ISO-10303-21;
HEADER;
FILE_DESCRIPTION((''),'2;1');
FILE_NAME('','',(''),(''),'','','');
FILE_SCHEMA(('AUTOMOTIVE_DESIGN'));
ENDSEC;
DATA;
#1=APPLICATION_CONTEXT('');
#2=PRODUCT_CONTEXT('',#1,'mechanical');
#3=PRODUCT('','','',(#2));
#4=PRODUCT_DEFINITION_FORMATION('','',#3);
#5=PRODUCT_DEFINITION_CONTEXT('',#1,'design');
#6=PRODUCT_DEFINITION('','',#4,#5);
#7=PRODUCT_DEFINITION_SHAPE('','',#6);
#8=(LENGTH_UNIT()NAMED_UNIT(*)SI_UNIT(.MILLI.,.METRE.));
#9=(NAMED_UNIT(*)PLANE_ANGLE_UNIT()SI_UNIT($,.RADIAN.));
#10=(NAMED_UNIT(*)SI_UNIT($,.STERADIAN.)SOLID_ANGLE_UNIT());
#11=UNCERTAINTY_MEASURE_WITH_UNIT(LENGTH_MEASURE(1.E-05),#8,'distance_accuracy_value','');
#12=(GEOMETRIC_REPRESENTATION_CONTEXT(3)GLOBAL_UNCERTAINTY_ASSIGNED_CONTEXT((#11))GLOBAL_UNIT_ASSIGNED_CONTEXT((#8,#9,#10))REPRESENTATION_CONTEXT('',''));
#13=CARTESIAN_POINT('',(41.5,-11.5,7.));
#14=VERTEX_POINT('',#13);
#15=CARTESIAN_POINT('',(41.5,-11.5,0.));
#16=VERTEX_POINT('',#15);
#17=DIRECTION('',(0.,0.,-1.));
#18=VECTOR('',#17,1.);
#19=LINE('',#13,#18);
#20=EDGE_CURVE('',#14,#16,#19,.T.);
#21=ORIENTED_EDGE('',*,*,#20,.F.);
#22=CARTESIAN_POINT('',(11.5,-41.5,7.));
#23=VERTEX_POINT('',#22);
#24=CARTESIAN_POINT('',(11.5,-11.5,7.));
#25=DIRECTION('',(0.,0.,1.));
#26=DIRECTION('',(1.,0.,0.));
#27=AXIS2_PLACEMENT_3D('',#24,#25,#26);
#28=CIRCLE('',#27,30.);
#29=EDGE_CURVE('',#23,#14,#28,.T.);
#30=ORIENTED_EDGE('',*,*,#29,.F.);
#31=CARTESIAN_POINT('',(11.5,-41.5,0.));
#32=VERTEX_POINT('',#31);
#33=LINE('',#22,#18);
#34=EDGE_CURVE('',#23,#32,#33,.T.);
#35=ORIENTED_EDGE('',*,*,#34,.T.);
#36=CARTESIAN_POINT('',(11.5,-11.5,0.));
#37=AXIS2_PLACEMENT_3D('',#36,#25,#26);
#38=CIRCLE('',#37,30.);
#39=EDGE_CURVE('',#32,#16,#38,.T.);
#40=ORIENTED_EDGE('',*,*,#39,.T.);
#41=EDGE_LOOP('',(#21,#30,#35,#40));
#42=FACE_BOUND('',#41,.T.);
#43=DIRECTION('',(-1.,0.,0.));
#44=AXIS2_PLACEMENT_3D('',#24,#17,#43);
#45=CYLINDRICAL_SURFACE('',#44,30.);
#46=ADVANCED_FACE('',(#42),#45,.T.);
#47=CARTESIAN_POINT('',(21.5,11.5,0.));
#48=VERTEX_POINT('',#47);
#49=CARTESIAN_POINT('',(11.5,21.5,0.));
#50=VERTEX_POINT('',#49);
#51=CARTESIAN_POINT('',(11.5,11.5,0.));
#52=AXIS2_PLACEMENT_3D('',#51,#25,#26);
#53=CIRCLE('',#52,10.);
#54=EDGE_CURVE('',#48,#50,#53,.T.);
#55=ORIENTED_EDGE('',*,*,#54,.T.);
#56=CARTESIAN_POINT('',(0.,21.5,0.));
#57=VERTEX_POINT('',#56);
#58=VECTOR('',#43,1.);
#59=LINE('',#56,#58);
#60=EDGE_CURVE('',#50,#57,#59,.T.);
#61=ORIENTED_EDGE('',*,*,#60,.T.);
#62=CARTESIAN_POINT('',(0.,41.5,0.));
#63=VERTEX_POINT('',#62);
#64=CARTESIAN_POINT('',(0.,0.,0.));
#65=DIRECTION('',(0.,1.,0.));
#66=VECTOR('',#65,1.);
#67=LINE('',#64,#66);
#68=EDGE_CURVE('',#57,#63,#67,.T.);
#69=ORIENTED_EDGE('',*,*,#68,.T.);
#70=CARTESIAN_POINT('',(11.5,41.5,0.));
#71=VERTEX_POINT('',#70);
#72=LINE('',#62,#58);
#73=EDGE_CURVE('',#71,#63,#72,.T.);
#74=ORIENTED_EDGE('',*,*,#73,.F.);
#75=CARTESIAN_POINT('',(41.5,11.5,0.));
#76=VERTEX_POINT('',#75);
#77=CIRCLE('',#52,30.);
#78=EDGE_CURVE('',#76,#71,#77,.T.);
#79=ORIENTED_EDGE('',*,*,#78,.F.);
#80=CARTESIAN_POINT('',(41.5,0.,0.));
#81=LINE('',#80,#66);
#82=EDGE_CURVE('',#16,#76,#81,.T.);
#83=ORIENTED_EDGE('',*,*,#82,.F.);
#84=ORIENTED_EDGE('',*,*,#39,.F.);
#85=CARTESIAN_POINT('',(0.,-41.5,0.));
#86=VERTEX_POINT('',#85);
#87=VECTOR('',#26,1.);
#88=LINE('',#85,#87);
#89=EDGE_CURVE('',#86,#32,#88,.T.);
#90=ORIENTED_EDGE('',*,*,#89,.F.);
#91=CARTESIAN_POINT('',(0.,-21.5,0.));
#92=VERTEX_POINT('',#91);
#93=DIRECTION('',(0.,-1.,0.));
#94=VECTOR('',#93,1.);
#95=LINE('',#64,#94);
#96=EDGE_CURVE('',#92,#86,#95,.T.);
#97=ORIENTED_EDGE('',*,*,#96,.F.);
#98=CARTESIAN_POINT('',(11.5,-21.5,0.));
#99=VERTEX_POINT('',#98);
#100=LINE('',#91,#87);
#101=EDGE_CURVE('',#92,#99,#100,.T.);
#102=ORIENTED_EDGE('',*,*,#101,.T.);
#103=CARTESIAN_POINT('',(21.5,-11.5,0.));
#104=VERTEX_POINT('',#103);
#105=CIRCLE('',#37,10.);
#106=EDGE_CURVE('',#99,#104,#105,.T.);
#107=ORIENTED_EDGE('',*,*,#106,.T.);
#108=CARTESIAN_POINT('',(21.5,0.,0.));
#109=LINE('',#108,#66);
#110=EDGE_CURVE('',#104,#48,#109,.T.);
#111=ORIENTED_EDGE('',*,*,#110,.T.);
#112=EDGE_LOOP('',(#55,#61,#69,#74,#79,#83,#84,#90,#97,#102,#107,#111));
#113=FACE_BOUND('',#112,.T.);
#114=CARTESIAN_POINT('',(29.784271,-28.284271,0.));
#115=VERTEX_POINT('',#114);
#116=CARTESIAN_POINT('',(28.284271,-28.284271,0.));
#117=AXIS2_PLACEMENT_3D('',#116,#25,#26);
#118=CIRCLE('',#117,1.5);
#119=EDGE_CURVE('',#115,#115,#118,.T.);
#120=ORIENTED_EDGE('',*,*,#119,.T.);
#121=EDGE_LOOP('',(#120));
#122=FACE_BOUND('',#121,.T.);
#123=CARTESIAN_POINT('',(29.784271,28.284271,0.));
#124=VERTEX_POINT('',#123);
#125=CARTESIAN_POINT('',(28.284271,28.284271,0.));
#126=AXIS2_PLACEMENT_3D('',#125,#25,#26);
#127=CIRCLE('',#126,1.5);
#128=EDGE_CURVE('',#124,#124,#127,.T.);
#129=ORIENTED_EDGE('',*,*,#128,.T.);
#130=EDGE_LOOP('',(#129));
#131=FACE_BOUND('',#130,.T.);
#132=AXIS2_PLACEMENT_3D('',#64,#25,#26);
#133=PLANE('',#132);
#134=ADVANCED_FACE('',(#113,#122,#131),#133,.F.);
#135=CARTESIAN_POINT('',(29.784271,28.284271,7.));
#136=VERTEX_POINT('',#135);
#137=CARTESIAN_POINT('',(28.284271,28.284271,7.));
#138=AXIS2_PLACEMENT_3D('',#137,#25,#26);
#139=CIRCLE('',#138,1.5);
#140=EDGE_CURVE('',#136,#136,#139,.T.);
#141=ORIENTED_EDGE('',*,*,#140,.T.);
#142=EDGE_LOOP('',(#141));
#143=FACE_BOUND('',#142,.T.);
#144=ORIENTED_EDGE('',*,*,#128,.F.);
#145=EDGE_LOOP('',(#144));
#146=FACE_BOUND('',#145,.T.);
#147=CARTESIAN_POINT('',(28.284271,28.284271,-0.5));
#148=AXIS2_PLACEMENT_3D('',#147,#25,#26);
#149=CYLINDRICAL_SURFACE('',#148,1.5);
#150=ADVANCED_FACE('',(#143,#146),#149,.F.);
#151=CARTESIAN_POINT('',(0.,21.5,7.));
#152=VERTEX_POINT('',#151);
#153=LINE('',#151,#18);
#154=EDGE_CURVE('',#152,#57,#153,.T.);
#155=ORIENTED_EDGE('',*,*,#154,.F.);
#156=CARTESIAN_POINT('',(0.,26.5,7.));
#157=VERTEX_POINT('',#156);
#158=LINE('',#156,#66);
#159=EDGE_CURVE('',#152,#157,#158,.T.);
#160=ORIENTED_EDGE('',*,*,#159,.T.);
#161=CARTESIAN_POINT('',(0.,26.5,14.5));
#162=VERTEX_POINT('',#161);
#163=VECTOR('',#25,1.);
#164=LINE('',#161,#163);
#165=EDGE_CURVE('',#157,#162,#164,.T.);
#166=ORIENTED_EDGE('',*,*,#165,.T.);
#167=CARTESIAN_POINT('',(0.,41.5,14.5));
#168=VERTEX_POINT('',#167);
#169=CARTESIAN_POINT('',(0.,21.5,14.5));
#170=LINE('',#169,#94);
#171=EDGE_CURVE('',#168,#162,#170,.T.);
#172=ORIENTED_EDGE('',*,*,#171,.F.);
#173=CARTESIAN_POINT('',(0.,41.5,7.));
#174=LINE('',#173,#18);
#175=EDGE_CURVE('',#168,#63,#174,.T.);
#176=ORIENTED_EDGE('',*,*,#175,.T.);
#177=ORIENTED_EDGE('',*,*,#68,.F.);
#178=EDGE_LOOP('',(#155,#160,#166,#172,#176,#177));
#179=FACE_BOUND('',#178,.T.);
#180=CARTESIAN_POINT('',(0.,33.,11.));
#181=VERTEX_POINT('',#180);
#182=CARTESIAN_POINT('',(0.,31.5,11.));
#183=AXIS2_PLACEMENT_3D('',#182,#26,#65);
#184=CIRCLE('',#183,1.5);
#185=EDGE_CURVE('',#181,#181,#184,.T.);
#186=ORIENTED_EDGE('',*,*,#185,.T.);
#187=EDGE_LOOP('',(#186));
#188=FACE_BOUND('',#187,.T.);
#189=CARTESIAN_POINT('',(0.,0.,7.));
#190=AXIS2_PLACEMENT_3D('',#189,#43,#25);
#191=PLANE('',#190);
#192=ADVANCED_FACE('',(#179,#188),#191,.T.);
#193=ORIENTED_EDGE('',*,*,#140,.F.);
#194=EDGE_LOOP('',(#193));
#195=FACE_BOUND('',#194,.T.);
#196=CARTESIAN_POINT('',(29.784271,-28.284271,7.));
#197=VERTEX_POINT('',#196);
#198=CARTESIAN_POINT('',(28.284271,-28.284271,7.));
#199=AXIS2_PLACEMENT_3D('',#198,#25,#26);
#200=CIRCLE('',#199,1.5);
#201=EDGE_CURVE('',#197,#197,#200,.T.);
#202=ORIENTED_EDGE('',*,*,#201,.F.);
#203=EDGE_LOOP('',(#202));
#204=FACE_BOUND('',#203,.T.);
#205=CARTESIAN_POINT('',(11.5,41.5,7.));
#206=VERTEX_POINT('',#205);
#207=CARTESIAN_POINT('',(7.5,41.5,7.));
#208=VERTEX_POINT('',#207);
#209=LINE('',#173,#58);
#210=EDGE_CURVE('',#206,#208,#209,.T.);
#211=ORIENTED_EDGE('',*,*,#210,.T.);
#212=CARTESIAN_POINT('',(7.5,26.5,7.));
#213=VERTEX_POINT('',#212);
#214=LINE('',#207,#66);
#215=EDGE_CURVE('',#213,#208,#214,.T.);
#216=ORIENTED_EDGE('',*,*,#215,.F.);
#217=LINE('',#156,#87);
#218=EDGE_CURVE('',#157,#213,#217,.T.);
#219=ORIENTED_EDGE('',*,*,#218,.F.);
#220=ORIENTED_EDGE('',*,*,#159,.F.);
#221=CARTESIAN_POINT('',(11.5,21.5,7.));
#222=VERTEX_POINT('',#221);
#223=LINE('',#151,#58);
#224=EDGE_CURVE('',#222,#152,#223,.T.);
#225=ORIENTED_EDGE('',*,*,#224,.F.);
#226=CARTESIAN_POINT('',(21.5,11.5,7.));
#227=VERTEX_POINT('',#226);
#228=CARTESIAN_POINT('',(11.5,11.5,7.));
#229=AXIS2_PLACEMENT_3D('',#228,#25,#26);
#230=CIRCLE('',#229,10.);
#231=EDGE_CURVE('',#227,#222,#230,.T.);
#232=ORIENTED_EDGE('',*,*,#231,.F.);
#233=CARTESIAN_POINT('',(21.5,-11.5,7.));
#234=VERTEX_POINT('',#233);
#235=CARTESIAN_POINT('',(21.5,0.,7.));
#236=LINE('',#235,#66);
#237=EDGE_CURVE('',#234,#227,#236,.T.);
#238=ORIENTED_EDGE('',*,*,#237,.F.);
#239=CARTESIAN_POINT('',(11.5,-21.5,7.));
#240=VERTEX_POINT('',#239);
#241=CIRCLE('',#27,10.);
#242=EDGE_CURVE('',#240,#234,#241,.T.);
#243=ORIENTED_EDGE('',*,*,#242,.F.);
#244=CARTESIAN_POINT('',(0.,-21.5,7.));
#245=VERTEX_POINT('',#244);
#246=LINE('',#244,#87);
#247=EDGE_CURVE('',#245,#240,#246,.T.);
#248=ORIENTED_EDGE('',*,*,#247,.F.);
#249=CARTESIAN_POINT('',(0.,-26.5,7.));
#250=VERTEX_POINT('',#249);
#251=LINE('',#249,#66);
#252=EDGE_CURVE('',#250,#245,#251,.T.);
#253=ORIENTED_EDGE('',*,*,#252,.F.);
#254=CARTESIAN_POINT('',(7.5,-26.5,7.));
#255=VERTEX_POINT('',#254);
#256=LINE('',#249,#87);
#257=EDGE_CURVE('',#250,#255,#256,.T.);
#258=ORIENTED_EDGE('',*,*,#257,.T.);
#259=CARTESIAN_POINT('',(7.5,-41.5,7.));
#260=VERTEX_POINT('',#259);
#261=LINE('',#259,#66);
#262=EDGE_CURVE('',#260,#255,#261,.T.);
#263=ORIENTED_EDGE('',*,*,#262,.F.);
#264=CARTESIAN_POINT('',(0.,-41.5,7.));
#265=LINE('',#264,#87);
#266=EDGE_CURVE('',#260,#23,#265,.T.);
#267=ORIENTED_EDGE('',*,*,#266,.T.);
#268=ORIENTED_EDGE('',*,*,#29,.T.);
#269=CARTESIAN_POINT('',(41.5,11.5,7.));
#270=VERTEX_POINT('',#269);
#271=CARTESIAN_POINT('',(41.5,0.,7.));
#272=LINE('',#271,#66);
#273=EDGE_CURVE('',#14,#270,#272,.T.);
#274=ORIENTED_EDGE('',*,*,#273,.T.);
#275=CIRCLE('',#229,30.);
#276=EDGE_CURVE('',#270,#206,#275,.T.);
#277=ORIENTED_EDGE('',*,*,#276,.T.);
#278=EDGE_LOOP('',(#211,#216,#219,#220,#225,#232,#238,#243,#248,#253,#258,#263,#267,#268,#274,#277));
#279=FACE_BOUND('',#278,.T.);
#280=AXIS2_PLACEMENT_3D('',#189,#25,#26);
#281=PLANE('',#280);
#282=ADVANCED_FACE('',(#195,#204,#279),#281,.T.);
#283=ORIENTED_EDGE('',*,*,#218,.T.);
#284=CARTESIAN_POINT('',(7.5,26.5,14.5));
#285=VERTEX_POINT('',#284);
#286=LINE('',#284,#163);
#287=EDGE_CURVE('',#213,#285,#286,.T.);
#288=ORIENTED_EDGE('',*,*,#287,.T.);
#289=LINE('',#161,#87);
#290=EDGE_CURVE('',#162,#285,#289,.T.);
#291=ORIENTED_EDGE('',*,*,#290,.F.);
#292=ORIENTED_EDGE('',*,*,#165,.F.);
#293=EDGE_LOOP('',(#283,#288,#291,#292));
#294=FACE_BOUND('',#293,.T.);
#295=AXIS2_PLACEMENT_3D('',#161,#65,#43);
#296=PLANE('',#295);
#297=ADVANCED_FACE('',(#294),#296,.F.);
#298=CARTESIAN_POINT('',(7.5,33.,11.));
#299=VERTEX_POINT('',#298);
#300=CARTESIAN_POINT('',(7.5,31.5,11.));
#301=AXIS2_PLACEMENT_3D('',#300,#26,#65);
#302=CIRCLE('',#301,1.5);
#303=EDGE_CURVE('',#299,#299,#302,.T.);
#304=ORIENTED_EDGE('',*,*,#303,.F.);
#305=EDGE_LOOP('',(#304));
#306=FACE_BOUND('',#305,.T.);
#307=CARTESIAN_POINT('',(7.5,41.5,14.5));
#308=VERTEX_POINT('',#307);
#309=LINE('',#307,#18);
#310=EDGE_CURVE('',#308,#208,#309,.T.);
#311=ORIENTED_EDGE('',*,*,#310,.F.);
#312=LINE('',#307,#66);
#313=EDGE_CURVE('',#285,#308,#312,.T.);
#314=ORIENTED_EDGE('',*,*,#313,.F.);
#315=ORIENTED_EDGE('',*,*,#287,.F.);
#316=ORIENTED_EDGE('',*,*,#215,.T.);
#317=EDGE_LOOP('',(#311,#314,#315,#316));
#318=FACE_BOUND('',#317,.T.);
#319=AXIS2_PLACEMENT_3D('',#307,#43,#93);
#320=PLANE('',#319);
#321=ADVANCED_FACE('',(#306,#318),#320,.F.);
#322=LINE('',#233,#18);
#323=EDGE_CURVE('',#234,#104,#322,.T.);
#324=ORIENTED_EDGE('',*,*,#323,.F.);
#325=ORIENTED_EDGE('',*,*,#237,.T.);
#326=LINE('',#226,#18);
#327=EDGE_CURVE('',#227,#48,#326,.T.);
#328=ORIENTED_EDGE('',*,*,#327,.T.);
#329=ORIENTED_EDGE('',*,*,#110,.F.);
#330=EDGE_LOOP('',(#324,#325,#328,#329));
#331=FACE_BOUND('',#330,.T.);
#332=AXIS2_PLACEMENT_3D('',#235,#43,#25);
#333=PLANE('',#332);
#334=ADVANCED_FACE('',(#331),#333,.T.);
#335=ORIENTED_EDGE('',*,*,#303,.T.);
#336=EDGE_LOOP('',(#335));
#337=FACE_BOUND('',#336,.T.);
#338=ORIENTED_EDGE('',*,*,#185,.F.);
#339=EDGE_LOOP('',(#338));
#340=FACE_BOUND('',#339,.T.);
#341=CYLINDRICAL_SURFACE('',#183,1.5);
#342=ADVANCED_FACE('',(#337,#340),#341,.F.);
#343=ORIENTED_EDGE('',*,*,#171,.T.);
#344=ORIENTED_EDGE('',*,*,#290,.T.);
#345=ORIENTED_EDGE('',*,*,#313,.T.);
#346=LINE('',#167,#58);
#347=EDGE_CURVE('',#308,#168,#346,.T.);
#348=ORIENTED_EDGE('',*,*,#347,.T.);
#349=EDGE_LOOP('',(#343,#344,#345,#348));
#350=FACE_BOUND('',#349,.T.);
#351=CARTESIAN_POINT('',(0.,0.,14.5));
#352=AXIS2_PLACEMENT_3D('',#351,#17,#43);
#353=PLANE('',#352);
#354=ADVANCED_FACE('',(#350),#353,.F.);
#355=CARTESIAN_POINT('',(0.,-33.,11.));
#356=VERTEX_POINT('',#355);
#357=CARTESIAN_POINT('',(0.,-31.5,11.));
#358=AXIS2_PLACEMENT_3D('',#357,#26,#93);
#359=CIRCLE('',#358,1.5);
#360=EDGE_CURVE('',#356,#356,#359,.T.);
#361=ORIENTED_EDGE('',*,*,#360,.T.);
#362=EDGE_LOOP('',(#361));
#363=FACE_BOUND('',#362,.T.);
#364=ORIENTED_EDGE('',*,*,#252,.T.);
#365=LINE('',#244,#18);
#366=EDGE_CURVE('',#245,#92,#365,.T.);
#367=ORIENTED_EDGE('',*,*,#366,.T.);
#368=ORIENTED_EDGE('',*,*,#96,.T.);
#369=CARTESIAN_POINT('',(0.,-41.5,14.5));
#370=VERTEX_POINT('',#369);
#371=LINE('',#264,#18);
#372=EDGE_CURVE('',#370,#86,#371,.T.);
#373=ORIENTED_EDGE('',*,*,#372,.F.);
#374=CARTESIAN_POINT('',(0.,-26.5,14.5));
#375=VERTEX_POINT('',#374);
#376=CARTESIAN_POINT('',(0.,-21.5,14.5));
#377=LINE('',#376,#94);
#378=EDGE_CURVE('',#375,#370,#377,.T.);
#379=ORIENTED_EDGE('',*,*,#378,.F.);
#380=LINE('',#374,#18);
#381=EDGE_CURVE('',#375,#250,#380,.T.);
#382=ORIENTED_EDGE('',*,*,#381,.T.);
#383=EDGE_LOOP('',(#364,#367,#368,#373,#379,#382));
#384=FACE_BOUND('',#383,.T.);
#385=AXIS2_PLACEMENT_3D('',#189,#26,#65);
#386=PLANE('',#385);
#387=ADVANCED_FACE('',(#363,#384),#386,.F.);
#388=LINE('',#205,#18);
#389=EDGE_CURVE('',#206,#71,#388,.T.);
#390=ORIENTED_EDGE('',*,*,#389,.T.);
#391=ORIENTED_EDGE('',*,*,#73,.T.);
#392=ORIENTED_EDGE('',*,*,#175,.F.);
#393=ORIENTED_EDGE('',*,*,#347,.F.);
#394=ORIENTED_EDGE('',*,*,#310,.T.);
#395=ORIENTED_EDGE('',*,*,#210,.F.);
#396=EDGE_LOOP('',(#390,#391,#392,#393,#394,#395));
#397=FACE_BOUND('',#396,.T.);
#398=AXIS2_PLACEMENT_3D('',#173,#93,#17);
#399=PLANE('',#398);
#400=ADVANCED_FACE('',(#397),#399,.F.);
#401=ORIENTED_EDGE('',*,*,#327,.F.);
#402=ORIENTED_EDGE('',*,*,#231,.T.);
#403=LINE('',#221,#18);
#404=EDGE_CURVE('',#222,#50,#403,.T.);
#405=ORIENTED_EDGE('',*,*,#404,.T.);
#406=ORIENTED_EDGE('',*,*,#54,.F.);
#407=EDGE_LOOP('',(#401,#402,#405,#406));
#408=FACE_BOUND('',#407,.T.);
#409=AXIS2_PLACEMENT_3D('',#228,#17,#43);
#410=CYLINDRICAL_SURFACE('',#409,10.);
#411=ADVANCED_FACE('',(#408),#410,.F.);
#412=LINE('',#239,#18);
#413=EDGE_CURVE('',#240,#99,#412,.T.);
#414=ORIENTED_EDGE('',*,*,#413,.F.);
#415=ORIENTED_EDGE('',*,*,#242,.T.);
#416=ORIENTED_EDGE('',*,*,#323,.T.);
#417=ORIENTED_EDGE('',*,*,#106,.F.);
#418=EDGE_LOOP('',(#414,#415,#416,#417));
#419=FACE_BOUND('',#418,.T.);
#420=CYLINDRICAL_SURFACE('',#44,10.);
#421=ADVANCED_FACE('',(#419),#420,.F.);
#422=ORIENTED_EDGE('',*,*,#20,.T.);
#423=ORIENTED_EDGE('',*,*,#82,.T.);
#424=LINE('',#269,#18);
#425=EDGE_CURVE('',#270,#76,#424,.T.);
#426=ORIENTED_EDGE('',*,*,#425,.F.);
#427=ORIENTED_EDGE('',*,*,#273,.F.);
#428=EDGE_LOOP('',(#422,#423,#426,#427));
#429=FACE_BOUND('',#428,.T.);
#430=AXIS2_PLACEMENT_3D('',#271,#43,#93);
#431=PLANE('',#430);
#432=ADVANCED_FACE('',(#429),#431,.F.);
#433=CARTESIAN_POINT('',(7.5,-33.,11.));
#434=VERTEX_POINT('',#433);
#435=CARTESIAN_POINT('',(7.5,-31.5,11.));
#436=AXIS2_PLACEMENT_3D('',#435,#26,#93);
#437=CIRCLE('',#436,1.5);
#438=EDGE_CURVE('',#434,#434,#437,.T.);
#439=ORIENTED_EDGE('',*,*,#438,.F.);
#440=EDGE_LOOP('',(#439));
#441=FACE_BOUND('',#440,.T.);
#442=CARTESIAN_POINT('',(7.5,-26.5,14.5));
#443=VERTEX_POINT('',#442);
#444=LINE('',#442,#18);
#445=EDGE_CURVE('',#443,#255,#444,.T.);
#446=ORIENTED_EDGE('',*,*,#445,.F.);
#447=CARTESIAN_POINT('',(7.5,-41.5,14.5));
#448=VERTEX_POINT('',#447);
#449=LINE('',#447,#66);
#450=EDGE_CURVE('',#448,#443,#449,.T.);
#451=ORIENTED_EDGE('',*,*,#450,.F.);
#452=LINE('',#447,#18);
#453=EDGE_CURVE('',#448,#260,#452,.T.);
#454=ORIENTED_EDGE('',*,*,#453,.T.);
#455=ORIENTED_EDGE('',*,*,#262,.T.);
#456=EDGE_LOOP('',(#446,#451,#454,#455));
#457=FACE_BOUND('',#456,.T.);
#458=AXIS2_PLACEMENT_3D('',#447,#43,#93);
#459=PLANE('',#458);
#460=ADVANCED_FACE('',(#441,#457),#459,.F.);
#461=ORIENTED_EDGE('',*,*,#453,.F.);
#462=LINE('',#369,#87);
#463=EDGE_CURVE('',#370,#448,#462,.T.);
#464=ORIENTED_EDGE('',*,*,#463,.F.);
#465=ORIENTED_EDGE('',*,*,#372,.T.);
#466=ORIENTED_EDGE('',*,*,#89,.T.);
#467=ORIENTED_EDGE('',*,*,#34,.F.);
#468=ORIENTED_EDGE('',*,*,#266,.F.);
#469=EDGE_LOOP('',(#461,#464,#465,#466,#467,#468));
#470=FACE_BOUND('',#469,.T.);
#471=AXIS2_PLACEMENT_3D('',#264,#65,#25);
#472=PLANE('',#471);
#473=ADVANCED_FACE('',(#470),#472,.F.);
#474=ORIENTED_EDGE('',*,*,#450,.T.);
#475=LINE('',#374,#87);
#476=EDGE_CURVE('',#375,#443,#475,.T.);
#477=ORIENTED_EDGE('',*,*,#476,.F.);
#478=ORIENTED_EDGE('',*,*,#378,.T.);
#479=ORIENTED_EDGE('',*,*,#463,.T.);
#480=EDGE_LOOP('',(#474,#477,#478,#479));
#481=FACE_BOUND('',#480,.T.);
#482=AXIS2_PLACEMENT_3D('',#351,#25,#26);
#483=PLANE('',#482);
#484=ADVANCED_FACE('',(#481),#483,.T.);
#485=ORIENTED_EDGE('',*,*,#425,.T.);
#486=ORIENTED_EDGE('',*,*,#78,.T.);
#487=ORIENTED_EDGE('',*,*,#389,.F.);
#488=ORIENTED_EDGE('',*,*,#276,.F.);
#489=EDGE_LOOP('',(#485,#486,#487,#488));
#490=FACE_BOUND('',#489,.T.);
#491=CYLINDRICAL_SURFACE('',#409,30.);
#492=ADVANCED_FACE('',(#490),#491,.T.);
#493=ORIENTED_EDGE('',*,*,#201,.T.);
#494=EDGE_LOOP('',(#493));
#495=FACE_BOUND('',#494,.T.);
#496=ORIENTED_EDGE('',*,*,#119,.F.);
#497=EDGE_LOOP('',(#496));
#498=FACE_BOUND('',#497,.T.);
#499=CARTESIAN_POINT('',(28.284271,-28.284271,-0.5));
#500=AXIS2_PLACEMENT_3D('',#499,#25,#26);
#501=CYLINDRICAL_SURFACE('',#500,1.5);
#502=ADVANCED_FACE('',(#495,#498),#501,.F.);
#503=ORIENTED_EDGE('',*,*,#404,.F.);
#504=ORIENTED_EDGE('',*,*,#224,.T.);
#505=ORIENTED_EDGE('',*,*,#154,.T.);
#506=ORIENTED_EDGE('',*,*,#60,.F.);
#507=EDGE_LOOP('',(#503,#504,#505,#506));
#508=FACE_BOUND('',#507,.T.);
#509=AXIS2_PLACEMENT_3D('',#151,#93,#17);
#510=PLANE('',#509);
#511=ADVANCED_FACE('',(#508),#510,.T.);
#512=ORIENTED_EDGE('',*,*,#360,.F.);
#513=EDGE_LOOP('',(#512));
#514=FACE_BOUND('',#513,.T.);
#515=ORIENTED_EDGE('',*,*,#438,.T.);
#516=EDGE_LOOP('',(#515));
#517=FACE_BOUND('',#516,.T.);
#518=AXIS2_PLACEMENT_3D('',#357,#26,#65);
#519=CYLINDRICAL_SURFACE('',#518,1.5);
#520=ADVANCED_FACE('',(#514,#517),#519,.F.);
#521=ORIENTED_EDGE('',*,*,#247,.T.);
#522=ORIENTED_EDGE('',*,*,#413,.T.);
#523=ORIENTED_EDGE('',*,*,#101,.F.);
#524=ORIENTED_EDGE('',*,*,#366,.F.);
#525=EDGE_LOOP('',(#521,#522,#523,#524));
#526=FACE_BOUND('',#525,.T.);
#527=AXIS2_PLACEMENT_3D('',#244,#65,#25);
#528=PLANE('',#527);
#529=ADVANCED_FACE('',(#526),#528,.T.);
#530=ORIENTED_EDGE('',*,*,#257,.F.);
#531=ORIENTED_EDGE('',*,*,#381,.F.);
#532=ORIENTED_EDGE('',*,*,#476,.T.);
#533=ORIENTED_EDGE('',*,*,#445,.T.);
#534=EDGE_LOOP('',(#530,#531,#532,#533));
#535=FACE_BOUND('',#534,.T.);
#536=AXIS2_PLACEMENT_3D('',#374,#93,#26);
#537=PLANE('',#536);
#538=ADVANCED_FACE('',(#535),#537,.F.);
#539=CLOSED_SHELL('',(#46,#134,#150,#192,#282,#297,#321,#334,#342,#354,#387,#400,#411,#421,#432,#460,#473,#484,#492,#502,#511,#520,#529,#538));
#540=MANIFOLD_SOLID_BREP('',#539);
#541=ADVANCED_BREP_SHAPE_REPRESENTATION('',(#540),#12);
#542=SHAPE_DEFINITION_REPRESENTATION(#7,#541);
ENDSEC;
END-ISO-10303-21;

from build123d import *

# Parameters (mm, degrees)
BOSS_EXTRUDE4_DEPTH = 7
SKETCH6_W           = 7.5
SKETCH6_H           = 20
BOSS_EXTRUDE5_DEPTH = 7.5
SKETCH7_R           = 1.5
CUT_EXTRUDE3_DEPTH  = 7.5
SKETCH8_R           = 1.5
CUT_EXTRUDE4_DEPTH  = 7.5
SKETCH9_W           = 7.5
SKETCH9_H           = 5
CUT_EXTRUDE5_DEPTH  = 7.5


with BuildPart() as part:
    # Sketch1 → Boss-Extrude4 (new body)
    with BuildSketch(Plane.XY):
        with BuildLine():
            Line((41.5, -11.5), (41.5, 11.5))
            ThreePointArc((41.5, 11.5), (32.713203436, 32.713203436), (11.5, 41.5))
            Line((11.5, 41.5), (0, 41.5))
            Line((0, 41.5), (0, 21.5))
            Line((0, 21.5), (11.5, 21.5))
            ThreePointArc((11.5, 21.5), (18.571067812, 18.571067812), (21.5, 11.5))
            Line((21.5, 11.5), (21.5, -11.5))
            ThreePointArc((21.5, -11.5), (18.571067812, -18.571067812), (11.5, -21.5))
            Line((11.5, -21.5), (0, -21.5))
            Line((0, -21.5), (0, -41.5))
            Line((0, -41.5), (11.5, -41.5))
            ThreePointArc((11.5, -41.5), (32.713203436, -32.713203436), (41.5, -11.5))
        make_face()
    extrude(amount=BOSS_EXTRUDE4_DEPTH)

    # Sketch6 → Boss-Extrude5 (add)
    with BuildSketch(Plane.XY.offset(7)):
        with Locations((3.75, 31.5)):
            Rectangle(SKETCH6_W, SKETCH6_H)
        with Locations((3.75, -31.5)):
            Rectangle(SKETCH6_W, SKETCH6_H)
    extrude(amount=BOSS_EXTRUDE5_DEPTH)

    # Sketch7 → Cut-Extrude3 (cut)
    with BuildSketch(Plane(origin=(7.5, 0, 0), x_dir=(0, 0, -1), z_dir=(1, 0, 0))):
        with Locations((-11, 31.5)):
            Circle(SKETCH7_R)
        with Locations((-11, -31.5)):
            Circle(SKETCH7_R)
    extrude(amount=-CUT_EXTRUDE3_DEPTH, mode=Mode.SUBTRACT)

    # Sketch8 → Cut-Extrude4 (cut)
    with BuildSketch(Plane.XY.offset(7)):
        with Locations((28.284271247, 28.284271247)):
            Circle(SKETCH8_R)
        with Locations((28.284271247, -28.284271247)):
            Circle(SKETCH8_R)
    extrude(amount=-CUT_EXTRUDE4_DEPTH, mode=Mode.SUBTRACT)

    # Sketch9 → Cut-Extrude5 (cut)
    with BuildSketch(Plane(origin=(7.5, 0, 0), x_dir=(0, 0, -1), z_dir=(1, 0, 0))):
        with Locations((-10.75, 24)):
            Rectangle(SKETCH9_W, SKETCH9_H)
        with Locations((-10.75, -24)):
            Rectangle(SKETCH9_W, SKETCH9_H)
    extrude(amount=-CUT_EXTRUDE5_DEPTH, mode=Mode.SUBTRACT)


solid = part.part
